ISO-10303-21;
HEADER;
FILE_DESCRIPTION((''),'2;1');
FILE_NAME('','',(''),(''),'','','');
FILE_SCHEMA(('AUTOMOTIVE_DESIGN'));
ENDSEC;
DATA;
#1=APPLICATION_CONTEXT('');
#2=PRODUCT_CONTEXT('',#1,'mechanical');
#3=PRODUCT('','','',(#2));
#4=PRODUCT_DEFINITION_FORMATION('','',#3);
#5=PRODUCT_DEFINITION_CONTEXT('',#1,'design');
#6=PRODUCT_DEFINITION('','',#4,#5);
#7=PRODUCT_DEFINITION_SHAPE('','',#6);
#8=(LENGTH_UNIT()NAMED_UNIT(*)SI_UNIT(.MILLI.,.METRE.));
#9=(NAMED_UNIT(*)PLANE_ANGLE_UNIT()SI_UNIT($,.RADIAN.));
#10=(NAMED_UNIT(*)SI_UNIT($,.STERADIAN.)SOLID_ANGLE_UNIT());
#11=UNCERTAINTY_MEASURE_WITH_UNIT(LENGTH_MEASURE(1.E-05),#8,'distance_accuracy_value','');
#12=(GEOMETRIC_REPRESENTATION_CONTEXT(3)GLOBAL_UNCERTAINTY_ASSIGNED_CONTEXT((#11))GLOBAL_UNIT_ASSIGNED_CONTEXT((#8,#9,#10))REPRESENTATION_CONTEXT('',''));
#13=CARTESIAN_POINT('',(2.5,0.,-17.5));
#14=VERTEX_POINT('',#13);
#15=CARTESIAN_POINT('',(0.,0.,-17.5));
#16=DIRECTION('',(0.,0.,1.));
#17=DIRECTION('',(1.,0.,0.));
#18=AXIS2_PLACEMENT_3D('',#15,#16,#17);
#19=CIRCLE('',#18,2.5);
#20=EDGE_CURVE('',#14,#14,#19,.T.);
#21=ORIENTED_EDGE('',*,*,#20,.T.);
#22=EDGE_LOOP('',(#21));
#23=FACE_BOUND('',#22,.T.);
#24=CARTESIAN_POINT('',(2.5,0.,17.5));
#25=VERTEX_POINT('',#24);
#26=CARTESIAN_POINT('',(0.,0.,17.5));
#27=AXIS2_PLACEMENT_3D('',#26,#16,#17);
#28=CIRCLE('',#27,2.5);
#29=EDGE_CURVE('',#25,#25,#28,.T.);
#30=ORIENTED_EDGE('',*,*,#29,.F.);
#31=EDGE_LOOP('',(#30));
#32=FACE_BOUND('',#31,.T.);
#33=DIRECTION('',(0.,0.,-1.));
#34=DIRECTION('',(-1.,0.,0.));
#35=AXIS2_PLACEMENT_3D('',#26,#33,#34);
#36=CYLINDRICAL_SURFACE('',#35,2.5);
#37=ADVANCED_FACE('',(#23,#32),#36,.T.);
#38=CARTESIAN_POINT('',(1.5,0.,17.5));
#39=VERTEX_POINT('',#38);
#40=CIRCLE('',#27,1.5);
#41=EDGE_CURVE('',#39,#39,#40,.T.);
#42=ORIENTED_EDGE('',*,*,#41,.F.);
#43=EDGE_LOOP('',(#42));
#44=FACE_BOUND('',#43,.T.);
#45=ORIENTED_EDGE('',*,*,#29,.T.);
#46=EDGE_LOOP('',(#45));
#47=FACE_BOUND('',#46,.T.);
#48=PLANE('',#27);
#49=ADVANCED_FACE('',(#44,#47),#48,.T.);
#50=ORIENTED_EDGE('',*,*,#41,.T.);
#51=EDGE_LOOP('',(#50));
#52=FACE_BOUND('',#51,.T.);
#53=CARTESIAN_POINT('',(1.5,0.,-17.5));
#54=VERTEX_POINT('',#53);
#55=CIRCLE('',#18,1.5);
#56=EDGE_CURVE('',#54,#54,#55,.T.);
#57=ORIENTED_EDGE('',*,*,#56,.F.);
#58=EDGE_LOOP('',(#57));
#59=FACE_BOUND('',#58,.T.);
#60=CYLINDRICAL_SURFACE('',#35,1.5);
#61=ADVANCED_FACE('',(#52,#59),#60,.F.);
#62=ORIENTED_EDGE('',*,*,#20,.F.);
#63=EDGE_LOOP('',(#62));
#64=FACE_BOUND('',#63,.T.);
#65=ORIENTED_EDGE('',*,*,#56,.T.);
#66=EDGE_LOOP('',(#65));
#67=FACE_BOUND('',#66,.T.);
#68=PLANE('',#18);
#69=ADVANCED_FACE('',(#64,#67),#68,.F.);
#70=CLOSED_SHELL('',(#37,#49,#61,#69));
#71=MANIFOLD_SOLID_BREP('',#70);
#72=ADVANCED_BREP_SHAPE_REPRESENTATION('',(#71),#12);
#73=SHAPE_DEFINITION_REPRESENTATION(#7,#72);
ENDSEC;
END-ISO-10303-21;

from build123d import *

# Parameters (mm, degrees)
SKETCH_1_R      = 2.5
SKETCH_1_R_2    = 1.5
EXTRUDE_1_DEPTH = 17.5


with BuildPart() as part:
    # 草图1 → 凸台-拉伸1 (new body, symmetric)
    with BuildSketch(Plane.XY):
        Circle(SKETCH_1_R)
        Circle(SKETCH_1_R_2, mode=Mode.SUBTRACT)
    extrude(amount=EXTRUDE_1_DEPTH, both=True)


solid = part.part
